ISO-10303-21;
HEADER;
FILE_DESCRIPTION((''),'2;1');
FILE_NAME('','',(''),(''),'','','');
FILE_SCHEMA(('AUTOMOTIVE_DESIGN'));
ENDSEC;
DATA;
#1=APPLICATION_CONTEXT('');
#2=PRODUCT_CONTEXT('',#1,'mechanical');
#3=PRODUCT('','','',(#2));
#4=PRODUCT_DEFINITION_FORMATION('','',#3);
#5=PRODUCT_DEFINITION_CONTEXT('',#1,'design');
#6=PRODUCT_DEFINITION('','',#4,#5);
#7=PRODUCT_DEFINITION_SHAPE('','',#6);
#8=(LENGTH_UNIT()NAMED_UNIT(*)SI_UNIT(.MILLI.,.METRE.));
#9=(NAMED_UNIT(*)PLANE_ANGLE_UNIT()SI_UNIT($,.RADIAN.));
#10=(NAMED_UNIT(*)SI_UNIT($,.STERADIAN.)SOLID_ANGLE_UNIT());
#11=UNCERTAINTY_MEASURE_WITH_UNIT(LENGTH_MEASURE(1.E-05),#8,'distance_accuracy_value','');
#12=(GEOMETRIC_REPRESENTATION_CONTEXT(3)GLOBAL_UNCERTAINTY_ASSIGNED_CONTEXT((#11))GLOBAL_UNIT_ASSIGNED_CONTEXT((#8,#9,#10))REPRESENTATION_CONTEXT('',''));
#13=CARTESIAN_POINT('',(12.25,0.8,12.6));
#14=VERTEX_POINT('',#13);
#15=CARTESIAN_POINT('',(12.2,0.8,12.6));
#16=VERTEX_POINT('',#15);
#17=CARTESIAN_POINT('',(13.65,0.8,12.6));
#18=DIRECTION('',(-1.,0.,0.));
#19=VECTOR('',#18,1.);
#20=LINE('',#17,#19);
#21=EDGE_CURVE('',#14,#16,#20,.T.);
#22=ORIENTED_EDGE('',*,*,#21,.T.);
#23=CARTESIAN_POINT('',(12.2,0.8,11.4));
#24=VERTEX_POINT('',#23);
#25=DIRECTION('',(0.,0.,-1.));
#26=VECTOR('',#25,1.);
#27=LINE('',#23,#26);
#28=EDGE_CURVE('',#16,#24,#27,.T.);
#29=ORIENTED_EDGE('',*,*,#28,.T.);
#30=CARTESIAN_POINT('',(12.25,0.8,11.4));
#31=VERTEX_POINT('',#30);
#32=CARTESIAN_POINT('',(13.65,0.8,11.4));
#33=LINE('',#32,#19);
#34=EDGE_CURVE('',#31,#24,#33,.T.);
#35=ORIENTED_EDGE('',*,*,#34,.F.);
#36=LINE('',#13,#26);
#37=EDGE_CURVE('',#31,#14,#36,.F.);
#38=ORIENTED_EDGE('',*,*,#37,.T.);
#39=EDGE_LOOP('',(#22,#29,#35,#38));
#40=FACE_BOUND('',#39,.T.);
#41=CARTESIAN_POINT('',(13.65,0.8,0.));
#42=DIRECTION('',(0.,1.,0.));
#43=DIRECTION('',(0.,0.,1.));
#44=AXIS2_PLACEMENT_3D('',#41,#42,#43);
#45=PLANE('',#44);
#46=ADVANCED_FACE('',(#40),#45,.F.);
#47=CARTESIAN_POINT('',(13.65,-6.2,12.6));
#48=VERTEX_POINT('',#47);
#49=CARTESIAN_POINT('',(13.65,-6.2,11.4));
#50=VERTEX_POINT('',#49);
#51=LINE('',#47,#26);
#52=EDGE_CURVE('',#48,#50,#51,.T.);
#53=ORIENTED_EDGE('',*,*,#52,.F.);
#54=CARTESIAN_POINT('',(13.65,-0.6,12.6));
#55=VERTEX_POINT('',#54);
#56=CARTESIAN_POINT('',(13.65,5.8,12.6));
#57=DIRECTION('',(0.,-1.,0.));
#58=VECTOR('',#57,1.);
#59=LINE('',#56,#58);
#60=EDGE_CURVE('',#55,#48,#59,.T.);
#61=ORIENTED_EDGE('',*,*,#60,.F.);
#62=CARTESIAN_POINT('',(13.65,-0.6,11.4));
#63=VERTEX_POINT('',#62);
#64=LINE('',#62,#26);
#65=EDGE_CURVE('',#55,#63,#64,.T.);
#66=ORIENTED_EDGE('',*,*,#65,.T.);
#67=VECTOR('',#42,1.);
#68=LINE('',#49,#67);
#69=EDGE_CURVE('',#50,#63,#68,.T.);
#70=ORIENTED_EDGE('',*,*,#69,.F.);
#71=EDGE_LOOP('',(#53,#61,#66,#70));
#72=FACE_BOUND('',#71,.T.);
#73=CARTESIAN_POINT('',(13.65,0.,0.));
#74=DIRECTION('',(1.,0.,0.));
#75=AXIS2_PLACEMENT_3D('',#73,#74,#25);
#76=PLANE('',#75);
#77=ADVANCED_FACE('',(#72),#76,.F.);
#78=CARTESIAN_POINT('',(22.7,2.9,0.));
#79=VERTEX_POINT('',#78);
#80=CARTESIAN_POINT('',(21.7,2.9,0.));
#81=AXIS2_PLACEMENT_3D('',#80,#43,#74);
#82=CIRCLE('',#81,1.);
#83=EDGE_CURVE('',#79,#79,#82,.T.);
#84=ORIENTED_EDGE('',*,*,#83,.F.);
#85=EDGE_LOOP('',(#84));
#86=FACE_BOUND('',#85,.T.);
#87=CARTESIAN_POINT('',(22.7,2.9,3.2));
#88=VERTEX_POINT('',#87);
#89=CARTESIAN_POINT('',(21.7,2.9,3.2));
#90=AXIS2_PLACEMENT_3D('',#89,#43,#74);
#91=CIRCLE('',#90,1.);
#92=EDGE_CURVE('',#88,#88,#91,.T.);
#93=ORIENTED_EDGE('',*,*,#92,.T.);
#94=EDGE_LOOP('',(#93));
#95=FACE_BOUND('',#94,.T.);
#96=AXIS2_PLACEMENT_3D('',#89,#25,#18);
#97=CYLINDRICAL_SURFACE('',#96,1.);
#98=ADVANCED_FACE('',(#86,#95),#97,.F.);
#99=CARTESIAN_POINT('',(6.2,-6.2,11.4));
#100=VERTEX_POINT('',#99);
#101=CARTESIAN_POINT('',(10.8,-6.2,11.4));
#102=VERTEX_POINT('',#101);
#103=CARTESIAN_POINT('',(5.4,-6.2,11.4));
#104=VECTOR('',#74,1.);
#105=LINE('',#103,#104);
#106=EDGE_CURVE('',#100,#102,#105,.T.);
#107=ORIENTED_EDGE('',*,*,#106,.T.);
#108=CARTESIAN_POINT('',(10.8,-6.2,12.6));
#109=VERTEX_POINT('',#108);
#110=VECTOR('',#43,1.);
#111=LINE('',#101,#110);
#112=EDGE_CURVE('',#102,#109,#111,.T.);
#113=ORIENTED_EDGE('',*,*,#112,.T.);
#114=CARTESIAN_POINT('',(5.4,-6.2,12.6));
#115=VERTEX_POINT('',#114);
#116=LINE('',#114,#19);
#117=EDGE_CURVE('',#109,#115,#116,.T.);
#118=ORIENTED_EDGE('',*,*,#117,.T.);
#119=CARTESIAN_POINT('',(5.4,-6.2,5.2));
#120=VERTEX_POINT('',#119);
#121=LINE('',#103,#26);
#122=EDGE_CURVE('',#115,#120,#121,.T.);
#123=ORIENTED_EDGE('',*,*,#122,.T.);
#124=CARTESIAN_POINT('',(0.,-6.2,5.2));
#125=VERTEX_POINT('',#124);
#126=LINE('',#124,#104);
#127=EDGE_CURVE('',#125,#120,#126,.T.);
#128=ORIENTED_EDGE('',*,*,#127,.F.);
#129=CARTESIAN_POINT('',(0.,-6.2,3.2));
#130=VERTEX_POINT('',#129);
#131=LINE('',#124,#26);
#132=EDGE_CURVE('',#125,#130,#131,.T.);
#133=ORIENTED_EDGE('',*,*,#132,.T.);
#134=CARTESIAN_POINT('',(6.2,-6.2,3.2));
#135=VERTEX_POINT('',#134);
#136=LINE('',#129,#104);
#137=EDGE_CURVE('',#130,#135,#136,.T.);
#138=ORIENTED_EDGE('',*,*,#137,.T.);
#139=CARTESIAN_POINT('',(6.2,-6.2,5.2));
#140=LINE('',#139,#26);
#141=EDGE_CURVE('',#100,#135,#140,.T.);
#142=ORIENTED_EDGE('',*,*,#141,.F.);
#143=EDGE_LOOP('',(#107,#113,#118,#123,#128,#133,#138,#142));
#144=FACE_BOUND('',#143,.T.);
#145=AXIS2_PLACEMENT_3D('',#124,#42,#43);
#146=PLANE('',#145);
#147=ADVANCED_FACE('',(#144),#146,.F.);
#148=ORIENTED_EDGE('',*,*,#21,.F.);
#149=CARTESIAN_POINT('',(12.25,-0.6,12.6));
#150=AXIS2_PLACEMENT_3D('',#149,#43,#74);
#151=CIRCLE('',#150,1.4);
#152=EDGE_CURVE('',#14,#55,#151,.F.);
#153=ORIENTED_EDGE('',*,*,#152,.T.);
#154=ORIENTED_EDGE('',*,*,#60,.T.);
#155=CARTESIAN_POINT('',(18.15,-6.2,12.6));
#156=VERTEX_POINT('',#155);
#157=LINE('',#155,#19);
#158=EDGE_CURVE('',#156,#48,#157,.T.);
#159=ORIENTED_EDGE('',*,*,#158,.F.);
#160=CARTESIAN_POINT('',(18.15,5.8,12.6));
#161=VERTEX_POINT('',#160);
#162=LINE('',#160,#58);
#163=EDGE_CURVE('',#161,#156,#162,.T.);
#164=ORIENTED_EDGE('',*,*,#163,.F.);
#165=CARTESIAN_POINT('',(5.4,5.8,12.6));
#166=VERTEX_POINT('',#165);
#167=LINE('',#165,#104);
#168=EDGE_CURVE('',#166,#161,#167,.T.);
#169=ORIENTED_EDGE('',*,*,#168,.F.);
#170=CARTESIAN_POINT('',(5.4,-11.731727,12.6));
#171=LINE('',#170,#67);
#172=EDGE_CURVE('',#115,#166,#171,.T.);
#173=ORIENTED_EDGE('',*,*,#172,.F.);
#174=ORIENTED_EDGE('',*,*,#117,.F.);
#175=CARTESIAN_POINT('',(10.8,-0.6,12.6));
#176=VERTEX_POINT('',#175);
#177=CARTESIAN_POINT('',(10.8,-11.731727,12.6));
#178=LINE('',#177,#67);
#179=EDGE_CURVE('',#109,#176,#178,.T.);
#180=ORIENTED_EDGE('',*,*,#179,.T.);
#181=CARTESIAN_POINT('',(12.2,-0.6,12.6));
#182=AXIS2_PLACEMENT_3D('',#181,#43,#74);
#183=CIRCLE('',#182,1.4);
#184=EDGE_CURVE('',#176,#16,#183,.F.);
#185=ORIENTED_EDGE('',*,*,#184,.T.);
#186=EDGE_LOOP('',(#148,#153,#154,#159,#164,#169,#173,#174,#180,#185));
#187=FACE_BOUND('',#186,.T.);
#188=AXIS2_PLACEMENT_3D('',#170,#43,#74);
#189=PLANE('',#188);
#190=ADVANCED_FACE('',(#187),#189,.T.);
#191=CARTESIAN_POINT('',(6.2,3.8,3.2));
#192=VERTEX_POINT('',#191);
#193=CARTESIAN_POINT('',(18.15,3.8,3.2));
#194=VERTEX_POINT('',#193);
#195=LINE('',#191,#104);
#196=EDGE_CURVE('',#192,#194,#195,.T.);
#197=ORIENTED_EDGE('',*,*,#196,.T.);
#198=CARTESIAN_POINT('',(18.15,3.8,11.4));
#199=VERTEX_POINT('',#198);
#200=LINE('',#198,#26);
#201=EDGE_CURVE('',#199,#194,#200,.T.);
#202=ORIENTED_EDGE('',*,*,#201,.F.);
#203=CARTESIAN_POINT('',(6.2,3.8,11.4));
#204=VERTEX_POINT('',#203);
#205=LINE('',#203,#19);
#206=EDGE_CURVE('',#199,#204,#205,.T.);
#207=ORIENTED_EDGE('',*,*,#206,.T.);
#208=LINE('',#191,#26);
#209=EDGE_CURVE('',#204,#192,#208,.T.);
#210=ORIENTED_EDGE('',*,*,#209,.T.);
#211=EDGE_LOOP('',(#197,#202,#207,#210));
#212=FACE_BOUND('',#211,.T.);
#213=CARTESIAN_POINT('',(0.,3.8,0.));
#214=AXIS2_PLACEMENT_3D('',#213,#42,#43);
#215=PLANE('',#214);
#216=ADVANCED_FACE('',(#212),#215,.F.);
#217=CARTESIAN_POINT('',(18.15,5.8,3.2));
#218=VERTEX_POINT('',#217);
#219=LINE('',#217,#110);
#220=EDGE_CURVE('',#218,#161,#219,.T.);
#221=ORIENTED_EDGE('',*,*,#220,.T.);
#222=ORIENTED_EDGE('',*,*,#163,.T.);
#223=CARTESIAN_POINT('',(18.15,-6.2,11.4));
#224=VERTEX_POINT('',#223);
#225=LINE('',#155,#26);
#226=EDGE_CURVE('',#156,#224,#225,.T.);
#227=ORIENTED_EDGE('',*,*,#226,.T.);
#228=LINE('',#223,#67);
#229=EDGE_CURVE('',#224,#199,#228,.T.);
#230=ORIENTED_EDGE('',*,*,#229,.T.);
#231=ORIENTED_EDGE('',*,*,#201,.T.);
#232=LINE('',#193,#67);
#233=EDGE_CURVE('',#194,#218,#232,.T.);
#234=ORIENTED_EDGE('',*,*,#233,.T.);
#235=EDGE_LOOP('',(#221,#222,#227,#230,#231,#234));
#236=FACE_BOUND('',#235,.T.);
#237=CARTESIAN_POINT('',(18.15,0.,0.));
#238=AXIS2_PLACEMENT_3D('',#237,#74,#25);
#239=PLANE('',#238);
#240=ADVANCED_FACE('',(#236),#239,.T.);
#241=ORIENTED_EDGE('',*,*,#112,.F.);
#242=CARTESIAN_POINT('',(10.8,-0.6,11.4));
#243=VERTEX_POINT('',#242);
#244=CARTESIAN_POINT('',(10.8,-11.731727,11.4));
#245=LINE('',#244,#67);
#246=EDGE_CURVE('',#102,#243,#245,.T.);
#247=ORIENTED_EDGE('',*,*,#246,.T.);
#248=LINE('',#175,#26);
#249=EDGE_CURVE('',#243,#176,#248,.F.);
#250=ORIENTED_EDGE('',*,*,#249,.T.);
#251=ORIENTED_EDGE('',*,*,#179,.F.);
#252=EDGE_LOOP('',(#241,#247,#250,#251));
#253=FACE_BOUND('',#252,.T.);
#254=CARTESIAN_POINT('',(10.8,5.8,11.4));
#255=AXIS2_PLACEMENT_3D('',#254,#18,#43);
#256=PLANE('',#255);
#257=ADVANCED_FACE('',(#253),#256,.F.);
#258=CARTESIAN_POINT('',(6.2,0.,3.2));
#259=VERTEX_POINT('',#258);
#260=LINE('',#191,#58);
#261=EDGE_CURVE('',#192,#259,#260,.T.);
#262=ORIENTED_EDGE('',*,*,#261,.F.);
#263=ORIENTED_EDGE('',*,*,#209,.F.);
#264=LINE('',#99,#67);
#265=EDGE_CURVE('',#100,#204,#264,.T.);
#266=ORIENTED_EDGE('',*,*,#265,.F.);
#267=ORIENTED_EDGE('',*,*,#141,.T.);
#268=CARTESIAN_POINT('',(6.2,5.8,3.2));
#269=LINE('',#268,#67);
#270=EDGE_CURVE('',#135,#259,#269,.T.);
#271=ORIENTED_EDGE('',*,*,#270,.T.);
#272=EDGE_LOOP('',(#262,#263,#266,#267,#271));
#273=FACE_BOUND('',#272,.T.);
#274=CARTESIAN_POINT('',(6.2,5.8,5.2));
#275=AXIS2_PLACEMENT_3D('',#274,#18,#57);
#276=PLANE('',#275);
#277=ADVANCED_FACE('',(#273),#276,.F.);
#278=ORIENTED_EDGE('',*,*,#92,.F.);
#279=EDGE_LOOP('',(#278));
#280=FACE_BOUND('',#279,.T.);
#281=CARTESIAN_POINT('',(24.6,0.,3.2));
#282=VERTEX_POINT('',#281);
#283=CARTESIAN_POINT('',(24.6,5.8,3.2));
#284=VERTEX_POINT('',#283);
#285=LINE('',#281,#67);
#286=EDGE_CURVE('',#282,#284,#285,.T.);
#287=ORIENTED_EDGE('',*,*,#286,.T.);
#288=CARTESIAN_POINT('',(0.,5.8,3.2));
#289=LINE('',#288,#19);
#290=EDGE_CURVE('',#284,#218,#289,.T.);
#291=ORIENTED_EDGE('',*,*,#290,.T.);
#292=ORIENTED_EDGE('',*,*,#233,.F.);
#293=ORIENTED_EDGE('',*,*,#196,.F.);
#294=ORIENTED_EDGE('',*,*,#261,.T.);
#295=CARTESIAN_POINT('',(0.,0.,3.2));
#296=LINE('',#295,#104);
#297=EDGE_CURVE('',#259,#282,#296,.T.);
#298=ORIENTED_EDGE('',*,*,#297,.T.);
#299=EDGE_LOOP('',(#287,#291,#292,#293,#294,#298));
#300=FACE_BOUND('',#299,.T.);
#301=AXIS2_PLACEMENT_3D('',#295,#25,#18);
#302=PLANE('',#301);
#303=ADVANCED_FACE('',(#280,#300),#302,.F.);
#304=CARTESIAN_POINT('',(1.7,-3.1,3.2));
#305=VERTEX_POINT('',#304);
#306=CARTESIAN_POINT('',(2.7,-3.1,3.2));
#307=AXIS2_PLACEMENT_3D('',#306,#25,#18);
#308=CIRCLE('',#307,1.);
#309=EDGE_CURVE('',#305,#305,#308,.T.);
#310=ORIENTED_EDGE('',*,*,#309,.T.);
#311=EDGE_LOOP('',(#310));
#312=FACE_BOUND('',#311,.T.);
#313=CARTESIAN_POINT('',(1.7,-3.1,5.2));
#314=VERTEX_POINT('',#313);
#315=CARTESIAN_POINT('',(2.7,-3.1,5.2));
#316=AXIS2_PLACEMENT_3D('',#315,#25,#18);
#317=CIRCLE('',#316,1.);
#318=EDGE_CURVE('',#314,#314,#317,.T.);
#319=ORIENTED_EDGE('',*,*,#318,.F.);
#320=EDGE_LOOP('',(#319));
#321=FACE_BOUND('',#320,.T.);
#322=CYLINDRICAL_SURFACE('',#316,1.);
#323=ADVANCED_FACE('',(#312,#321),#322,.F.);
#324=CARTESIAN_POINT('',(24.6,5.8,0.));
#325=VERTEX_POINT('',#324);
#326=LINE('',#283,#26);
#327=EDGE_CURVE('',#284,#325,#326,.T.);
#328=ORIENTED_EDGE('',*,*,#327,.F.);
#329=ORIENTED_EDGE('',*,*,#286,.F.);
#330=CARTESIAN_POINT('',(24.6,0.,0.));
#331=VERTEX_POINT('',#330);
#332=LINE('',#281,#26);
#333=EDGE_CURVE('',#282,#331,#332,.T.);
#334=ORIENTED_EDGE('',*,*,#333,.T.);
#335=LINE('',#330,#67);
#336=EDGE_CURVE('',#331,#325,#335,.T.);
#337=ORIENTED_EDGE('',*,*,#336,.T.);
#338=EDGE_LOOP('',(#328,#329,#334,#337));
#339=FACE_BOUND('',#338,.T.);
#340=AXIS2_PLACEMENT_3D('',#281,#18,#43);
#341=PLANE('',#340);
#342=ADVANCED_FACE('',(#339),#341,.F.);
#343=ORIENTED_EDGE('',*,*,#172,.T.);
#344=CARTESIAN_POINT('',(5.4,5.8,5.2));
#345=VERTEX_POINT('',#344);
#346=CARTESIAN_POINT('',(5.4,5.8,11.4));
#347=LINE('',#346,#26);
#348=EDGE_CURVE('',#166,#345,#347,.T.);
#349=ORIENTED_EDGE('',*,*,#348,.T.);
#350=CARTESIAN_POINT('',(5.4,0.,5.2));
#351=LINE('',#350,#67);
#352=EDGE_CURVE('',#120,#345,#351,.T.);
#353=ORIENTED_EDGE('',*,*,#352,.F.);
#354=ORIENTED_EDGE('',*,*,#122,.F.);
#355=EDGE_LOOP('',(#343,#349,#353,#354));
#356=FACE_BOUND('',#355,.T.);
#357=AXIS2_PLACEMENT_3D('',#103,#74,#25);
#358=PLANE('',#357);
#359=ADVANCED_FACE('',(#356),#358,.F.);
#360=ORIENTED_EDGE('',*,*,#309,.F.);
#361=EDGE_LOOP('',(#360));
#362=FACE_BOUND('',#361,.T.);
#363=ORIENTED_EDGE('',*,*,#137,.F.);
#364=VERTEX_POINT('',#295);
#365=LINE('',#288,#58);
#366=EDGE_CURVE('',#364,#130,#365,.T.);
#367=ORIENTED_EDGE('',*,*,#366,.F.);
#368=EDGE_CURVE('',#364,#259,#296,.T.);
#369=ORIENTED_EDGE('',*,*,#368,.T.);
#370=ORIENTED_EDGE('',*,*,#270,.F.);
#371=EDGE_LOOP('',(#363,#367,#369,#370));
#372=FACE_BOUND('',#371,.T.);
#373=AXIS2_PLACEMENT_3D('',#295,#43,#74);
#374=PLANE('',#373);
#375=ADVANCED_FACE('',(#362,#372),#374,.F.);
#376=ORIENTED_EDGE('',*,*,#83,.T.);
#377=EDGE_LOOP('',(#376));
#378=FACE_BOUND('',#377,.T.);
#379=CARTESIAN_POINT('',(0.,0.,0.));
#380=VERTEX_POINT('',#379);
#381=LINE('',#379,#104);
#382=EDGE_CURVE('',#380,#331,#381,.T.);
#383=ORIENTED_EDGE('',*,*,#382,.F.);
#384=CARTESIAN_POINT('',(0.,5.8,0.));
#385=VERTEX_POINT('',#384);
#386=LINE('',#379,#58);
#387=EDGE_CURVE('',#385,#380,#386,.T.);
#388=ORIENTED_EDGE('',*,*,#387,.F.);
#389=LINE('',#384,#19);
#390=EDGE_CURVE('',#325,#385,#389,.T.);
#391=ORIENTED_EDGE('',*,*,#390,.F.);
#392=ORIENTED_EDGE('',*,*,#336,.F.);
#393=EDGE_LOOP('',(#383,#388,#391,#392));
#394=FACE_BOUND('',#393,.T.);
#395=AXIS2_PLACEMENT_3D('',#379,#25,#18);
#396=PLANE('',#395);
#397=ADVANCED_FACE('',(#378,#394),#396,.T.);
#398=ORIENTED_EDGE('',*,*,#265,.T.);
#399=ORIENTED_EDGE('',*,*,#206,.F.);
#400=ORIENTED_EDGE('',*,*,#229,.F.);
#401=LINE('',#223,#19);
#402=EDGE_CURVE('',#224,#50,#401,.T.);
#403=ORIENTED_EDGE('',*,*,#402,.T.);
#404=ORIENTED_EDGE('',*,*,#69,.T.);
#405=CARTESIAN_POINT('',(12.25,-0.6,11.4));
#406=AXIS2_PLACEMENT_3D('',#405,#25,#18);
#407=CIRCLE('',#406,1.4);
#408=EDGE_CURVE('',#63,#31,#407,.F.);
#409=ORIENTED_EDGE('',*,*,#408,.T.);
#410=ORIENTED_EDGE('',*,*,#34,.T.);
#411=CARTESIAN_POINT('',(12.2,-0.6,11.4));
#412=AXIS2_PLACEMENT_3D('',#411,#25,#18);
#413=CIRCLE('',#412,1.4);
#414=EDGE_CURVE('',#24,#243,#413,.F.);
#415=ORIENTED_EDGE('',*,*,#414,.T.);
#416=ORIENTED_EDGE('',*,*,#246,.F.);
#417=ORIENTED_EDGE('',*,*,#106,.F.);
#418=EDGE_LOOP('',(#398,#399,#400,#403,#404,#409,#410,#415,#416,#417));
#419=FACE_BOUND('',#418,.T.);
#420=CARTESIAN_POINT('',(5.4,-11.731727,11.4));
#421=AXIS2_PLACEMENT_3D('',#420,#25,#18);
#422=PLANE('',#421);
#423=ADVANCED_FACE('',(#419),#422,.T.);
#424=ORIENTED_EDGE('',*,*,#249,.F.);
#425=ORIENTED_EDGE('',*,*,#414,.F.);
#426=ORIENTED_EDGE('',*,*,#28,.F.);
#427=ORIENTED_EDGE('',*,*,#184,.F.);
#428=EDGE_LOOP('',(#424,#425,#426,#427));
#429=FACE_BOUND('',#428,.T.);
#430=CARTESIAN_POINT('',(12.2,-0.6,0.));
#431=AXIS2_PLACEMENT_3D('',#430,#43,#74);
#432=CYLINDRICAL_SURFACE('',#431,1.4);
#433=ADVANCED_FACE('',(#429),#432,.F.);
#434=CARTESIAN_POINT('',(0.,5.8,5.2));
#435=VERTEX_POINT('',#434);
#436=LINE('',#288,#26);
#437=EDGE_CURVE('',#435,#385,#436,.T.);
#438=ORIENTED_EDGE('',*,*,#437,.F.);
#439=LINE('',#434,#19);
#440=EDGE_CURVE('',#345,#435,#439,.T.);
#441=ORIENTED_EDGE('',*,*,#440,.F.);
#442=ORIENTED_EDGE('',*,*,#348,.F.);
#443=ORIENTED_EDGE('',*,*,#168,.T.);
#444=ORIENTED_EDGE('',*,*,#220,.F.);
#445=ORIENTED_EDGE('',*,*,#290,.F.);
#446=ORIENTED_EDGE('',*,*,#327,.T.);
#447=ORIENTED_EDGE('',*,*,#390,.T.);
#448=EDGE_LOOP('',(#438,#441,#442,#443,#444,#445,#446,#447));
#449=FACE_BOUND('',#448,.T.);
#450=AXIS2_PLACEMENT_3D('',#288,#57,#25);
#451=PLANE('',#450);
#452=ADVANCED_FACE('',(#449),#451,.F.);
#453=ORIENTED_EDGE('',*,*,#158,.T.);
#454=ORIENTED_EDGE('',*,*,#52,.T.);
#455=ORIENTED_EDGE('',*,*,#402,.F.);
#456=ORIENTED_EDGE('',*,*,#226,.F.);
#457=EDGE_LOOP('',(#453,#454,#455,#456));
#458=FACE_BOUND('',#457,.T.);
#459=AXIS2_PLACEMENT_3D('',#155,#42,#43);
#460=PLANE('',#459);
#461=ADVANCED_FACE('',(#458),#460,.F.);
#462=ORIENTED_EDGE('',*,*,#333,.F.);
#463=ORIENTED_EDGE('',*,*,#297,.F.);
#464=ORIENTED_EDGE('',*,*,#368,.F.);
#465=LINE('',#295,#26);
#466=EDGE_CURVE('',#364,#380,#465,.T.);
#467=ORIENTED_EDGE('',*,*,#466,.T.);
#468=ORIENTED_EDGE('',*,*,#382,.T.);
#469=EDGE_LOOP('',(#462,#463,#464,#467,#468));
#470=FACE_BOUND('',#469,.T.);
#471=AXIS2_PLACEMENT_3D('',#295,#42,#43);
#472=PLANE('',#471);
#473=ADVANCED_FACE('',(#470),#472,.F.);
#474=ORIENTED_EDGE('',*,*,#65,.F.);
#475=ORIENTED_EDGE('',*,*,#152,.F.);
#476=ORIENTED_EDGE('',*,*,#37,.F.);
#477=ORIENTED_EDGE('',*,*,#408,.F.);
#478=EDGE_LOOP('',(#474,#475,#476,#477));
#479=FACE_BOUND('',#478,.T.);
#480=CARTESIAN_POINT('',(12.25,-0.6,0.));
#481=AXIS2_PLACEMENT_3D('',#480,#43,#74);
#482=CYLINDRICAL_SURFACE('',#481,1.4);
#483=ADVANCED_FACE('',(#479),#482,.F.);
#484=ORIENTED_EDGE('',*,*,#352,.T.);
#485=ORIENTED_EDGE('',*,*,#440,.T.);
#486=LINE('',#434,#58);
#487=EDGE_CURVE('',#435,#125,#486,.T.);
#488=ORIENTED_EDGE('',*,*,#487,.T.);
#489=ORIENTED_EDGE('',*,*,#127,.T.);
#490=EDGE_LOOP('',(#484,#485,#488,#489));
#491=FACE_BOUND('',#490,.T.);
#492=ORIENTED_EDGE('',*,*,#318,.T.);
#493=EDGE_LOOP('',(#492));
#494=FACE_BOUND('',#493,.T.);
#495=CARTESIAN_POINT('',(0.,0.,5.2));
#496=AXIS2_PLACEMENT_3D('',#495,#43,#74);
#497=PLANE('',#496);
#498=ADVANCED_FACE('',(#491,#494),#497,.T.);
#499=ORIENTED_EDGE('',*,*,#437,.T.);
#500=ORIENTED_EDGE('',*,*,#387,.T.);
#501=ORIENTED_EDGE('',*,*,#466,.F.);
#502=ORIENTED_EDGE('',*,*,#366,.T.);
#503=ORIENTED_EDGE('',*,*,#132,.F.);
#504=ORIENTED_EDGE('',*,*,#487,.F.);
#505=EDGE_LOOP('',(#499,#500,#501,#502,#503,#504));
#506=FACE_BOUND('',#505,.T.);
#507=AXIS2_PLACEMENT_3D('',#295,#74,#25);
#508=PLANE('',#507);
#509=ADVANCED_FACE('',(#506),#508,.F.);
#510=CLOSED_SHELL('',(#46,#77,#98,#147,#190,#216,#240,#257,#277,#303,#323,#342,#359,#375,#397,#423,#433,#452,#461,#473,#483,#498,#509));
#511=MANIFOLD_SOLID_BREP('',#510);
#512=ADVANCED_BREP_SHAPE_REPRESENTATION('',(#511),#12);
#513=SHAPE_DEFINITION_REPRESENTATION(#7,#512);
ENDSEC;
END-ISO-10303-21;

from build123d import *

# Parameters (mm, degrees)
SKIZZE1_W                       = 24.6
SKIZZE1_H                       = 5.8
SKIZZE1_R                       = 1
AUFSATZ_LINEAR_AUSTRAGEN1_DEPTH = 3.2
SKIZZE2_W                       = 6.2
SKIZZE2_H                       = 12
AUFSATZ_LINEAR_AUSTRAGEN2_DEPTH = 2
SKIZZE3_R                       = 1
SCHNITT_LINEAR_AUSTRAGEN1_DEPTH = 2
AUFSATZ_LINEAR_AUSTRAGEN3_DEPTH = 8.2
SKIZZE5_W                       = 5.4
SKIZZE5_H                       = 1.2
AUFSATZ_LINEAR_AUSTRAGEN4_DEPTH = 12
SKIZZE6_W                       = 4.6
SKIZZE6_H                       = 8.2
SCHNITT_LINEAR_AUSTRAGEN2_DEPTH = 3.8
AUFSATZ_LINEAR_AUSTRAGEN5_DEPTH = 2.85
AUFSATZ_LINEAR_AUSTRAGEN6_DEPTH = 4.5
VERRUNDUNG1_R                   = 1.4


with BuildPart() as part:
    # Skizze1 → Aufsatz-Linear austragen1 (new body)
    with BuildSketch(Plane.XY):
        with Locations((12.3, 2.9)):
            Rectangle(SKIZZE1_W, SKIZZE1_H)
        with Locations((21.7, 2.9)):
            Circle(SKIZZE1_R, mode=Mode.SUBTRACT)
    extrude(amount=AUFSATZ_LINEAR_AUSTRAGEN1_DEPTH)

    # Skizze2 → Aufsatz-Linear austragen2 (add)
    with BuildSketch(Plane.XY.offset(3.2)):
        with Locations((3.1, -0.2)):
            Rectangle(SKIZZE2_W, SKIZZE2_H)
    extrude(amount=AUFSATZ_LINEAR_AUSTRAGEN2_DEPTH)

    # Skizze3 → Schnitt-Linear austragen1 (cut)
    with BuildSketch(Plane(origin=(0, 0, 3.2), x_dir=(-1, 0, 0), z_dir=(0, 0, -1))):
        with Locations((-2.7, -3.1)):
            Circle(SKIZZE3_R)
    extrude(amount=-SCHNITT_LINEAR_AUSTRAGEN1_DEPTH, mode=Mode.SUBTRACT)

    # Skizze4 → Aufsatz-Linear austragen3 (add)
    with BuildSketch(Plane.XY.offset(3.2)):
        Polygon((6.2, 5.8), (10.8, 5.8), (10.8, 0), (6.2, 0), (6.2, -6.2), (5.4, -6.2), (5.4, 5.8), align=None)
    extrude(amount=AUFSATZ_LINEAR_AUSTRAGEN3_DEPTH)

    # Skizze5 → Aufsatz-Linear austragen4 (add)
    with BuildSketch(Plane(origin=(0, 5.8, 0), x_dir=(1, 0, 0), z_dir=(0, 1, 0))):
        with Locations((8.1, -12)):
            Rectangle(SKIZZE5_W, SKIZZE5_H)
    extrude(amount=-AUFSATZ_LINEAR_AUSTRAGEN4_DEPTH)

    # Skizze6 → Schnitt-Linear austragen2 (cut)
    with BuildSketch(Plane.XZ):
        with Locations((8.5, 7.3)):
            Rectangle(SKIZZE6_W, SKIZZE6_H)
    extrude(amount=-SCHNITT_LINEAR_AUSTRAGEN2_DEPTH, mode=Mode.SUBTRACT)

    # Skizze7 → Aufsatz-Linear austragen5 (add)
    with BuildSketch(Plane(origin=(10.8, 0, 0), x_dir=(0, 0, -1), z_dir=(1, 0, 0))):
        Polygon((-12.6, 5.8), (-12.6, 0.8), (-11.4, 0.8), (-11.4, 3.8), (-3.2, 3.8), (-3.2, 5.8), align=None)
    extrude(amount=AUFSATZ_LINEAR_AUSTRAGEN5_DEPTH)

    # Skizze8 → Aufsatz-Linear austragen6 (add)
    with BuildSketch(Plane(origin=(13.65, 0, 0), x_dir=(0, 0, -1), z_dir=(1, 0, 0))):
        Polygon((-3.2, 5.8), (-12.6, 5.8), (-12.6, -6.2), (-11.4, -6.2), (-11.4, 3.8), (-3.2, 3.8), align=None)
    extrude(amount=AUFSATZ_LINEAR_AUSTRAGEN6_DEPTH)

    # Verrundung1
    verrundung1_edges = [part.edges().sort_by_distance(p)[0] for p in [
        (13.65, 0.8, 12),
        (10.8, 0.8, 12),
    ]]
    fillet(verrundung1_edges, radius=VERRUNDUNG1_R)


solid = part.part
